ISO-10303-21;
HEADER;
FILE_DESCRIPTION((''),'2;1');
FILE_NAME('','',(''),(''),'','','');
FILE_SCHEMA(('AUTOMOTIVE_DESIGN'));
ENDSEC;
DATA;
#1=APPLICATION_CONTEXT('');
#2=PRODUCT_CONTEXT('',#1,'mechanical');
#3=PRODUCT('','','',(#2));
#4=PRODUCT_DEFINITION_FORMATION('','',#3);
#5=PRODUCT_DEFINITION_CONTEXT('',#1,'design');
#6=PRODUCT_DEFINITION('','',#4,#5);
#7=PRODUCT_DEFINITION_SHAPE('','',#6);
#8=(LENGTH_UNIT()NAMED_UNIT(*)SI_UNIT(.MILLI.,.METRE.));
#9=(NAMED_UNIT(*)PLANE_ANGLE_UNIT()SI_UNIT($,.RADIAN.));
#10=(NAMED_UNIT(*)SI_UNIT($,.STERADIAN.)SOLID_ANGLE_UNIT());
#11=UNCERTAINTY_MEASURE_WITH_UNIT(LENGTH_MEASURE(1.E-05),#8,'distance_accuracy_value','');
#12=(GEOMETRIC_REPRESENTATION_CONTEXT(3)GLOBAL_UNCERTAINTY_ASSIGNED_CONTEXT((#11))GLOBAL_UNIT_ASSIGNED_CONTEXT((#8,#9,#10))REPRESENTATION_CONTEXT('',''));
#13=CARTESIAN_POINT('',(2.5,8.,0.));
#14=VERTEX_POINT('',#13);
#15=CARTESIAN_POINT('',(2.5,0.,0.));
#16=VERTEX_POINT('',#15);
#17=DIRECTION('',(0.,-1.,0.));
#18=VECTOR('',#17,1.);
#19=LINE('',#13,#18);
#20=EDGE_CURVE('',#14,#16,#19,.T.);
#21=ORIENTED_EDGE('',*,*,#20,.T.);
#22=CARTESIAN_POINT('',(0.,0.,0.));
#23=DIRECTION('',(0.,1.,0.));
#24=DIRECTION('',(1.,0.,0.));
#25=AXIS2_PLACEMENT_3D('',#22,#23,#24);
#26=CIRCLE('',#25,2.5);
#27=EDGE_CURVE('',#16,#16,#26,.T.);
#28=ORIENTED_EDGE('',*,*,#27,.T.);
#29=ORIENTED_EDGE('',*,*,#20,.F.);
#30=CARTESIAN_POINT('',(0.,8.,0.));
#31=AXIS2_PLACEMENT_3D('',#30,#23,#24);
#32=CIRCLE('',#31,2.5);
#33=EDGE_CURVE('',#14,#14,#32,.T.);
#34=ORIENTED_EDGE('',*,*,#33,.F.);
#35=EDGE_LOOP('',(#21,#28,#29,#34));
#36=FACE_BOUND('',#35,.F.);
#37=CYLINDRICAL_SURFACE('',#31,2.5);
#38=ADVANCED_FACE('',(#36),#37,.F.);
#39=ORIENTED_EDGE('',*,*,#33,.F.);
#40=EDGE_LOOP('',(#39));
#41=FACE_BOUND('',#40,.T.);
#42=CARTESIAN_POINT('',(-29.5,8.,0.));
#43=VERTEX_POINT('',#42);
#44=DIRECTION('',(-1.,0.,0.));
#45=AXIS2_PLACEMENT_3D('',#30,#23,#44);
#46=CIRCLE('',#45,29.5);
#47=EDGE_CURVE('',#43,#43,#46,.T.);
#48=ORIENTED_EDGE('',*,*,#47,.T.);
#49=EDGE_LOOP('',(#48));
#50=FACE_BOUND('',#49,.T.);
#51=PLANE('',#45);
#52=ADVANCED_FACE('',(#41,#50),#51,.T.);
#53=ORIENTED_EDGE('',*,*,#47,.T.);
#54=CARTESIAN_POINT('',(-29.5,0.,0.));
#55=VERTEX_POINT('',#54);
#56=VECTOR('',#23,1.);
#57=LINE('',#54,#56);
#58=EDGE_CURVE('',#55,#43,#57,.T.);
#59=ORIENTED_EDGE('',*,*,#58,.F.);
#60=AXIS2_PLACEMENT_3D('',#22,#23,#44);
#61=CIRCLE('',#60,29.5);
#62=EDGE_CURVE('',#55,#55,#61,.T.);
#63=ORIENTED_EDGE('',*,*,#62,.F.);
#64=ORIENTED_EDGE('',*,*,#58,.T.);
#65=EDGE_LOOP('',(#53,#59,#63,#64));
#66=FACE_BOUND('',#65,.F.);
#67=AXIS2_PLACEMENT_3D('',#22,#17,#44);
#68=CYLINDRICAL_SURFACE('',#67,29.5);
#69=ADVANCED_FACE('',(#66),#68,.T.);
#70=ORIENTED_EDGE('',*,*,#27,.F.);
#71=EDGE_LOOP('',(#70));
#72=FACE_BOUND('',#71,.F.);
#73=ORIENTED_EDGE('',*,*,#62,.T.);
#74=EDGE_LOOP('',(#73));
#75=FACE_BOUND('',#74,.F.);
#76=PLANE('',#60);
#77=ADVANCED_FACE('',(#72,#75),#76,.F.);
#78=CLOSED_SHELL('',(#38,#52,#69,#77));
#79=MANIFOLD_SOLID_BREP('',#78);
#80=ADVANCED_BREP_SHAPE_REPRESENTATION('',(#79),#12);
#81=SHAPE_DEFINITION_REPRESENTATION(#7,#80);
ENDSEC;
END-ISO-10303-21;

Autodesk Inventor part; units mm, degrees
ref_plane "YZ Plane" through (0, 0, 0) normal (1, 0, 0) x (0, 1, 0)
ref_plane "XZ Plane" through (0, 0, 0) normal (0, 1, 0) x (-1, 0, 0)
ref_plane "XY Plane" through (0, 0, 0) normal (0, 0, 1) x (1, 0, 0)
sketch "Szkic1" plane through (0, 0, 0) normal (0, 1, 0) x (-1, 0, 0)
  circle A0 centre (0, 0) radius 29.5
  dimension "d0" = 59
extrude "Wyciągnięcie proste1" add sketch "Szkic1" along normal blind 8
sketch "Szkic2" plane through (0, 8, 0) normal (0, 1, 0) x (1, 0, 0)
  circle A0 centre (0, 0) radius 2.5
  dimension "d3" = 5
extrude "Wyciągnięcie proste2" cut sketch "Szkic2" against normal blind 10
properties part number "Koło napinające"
